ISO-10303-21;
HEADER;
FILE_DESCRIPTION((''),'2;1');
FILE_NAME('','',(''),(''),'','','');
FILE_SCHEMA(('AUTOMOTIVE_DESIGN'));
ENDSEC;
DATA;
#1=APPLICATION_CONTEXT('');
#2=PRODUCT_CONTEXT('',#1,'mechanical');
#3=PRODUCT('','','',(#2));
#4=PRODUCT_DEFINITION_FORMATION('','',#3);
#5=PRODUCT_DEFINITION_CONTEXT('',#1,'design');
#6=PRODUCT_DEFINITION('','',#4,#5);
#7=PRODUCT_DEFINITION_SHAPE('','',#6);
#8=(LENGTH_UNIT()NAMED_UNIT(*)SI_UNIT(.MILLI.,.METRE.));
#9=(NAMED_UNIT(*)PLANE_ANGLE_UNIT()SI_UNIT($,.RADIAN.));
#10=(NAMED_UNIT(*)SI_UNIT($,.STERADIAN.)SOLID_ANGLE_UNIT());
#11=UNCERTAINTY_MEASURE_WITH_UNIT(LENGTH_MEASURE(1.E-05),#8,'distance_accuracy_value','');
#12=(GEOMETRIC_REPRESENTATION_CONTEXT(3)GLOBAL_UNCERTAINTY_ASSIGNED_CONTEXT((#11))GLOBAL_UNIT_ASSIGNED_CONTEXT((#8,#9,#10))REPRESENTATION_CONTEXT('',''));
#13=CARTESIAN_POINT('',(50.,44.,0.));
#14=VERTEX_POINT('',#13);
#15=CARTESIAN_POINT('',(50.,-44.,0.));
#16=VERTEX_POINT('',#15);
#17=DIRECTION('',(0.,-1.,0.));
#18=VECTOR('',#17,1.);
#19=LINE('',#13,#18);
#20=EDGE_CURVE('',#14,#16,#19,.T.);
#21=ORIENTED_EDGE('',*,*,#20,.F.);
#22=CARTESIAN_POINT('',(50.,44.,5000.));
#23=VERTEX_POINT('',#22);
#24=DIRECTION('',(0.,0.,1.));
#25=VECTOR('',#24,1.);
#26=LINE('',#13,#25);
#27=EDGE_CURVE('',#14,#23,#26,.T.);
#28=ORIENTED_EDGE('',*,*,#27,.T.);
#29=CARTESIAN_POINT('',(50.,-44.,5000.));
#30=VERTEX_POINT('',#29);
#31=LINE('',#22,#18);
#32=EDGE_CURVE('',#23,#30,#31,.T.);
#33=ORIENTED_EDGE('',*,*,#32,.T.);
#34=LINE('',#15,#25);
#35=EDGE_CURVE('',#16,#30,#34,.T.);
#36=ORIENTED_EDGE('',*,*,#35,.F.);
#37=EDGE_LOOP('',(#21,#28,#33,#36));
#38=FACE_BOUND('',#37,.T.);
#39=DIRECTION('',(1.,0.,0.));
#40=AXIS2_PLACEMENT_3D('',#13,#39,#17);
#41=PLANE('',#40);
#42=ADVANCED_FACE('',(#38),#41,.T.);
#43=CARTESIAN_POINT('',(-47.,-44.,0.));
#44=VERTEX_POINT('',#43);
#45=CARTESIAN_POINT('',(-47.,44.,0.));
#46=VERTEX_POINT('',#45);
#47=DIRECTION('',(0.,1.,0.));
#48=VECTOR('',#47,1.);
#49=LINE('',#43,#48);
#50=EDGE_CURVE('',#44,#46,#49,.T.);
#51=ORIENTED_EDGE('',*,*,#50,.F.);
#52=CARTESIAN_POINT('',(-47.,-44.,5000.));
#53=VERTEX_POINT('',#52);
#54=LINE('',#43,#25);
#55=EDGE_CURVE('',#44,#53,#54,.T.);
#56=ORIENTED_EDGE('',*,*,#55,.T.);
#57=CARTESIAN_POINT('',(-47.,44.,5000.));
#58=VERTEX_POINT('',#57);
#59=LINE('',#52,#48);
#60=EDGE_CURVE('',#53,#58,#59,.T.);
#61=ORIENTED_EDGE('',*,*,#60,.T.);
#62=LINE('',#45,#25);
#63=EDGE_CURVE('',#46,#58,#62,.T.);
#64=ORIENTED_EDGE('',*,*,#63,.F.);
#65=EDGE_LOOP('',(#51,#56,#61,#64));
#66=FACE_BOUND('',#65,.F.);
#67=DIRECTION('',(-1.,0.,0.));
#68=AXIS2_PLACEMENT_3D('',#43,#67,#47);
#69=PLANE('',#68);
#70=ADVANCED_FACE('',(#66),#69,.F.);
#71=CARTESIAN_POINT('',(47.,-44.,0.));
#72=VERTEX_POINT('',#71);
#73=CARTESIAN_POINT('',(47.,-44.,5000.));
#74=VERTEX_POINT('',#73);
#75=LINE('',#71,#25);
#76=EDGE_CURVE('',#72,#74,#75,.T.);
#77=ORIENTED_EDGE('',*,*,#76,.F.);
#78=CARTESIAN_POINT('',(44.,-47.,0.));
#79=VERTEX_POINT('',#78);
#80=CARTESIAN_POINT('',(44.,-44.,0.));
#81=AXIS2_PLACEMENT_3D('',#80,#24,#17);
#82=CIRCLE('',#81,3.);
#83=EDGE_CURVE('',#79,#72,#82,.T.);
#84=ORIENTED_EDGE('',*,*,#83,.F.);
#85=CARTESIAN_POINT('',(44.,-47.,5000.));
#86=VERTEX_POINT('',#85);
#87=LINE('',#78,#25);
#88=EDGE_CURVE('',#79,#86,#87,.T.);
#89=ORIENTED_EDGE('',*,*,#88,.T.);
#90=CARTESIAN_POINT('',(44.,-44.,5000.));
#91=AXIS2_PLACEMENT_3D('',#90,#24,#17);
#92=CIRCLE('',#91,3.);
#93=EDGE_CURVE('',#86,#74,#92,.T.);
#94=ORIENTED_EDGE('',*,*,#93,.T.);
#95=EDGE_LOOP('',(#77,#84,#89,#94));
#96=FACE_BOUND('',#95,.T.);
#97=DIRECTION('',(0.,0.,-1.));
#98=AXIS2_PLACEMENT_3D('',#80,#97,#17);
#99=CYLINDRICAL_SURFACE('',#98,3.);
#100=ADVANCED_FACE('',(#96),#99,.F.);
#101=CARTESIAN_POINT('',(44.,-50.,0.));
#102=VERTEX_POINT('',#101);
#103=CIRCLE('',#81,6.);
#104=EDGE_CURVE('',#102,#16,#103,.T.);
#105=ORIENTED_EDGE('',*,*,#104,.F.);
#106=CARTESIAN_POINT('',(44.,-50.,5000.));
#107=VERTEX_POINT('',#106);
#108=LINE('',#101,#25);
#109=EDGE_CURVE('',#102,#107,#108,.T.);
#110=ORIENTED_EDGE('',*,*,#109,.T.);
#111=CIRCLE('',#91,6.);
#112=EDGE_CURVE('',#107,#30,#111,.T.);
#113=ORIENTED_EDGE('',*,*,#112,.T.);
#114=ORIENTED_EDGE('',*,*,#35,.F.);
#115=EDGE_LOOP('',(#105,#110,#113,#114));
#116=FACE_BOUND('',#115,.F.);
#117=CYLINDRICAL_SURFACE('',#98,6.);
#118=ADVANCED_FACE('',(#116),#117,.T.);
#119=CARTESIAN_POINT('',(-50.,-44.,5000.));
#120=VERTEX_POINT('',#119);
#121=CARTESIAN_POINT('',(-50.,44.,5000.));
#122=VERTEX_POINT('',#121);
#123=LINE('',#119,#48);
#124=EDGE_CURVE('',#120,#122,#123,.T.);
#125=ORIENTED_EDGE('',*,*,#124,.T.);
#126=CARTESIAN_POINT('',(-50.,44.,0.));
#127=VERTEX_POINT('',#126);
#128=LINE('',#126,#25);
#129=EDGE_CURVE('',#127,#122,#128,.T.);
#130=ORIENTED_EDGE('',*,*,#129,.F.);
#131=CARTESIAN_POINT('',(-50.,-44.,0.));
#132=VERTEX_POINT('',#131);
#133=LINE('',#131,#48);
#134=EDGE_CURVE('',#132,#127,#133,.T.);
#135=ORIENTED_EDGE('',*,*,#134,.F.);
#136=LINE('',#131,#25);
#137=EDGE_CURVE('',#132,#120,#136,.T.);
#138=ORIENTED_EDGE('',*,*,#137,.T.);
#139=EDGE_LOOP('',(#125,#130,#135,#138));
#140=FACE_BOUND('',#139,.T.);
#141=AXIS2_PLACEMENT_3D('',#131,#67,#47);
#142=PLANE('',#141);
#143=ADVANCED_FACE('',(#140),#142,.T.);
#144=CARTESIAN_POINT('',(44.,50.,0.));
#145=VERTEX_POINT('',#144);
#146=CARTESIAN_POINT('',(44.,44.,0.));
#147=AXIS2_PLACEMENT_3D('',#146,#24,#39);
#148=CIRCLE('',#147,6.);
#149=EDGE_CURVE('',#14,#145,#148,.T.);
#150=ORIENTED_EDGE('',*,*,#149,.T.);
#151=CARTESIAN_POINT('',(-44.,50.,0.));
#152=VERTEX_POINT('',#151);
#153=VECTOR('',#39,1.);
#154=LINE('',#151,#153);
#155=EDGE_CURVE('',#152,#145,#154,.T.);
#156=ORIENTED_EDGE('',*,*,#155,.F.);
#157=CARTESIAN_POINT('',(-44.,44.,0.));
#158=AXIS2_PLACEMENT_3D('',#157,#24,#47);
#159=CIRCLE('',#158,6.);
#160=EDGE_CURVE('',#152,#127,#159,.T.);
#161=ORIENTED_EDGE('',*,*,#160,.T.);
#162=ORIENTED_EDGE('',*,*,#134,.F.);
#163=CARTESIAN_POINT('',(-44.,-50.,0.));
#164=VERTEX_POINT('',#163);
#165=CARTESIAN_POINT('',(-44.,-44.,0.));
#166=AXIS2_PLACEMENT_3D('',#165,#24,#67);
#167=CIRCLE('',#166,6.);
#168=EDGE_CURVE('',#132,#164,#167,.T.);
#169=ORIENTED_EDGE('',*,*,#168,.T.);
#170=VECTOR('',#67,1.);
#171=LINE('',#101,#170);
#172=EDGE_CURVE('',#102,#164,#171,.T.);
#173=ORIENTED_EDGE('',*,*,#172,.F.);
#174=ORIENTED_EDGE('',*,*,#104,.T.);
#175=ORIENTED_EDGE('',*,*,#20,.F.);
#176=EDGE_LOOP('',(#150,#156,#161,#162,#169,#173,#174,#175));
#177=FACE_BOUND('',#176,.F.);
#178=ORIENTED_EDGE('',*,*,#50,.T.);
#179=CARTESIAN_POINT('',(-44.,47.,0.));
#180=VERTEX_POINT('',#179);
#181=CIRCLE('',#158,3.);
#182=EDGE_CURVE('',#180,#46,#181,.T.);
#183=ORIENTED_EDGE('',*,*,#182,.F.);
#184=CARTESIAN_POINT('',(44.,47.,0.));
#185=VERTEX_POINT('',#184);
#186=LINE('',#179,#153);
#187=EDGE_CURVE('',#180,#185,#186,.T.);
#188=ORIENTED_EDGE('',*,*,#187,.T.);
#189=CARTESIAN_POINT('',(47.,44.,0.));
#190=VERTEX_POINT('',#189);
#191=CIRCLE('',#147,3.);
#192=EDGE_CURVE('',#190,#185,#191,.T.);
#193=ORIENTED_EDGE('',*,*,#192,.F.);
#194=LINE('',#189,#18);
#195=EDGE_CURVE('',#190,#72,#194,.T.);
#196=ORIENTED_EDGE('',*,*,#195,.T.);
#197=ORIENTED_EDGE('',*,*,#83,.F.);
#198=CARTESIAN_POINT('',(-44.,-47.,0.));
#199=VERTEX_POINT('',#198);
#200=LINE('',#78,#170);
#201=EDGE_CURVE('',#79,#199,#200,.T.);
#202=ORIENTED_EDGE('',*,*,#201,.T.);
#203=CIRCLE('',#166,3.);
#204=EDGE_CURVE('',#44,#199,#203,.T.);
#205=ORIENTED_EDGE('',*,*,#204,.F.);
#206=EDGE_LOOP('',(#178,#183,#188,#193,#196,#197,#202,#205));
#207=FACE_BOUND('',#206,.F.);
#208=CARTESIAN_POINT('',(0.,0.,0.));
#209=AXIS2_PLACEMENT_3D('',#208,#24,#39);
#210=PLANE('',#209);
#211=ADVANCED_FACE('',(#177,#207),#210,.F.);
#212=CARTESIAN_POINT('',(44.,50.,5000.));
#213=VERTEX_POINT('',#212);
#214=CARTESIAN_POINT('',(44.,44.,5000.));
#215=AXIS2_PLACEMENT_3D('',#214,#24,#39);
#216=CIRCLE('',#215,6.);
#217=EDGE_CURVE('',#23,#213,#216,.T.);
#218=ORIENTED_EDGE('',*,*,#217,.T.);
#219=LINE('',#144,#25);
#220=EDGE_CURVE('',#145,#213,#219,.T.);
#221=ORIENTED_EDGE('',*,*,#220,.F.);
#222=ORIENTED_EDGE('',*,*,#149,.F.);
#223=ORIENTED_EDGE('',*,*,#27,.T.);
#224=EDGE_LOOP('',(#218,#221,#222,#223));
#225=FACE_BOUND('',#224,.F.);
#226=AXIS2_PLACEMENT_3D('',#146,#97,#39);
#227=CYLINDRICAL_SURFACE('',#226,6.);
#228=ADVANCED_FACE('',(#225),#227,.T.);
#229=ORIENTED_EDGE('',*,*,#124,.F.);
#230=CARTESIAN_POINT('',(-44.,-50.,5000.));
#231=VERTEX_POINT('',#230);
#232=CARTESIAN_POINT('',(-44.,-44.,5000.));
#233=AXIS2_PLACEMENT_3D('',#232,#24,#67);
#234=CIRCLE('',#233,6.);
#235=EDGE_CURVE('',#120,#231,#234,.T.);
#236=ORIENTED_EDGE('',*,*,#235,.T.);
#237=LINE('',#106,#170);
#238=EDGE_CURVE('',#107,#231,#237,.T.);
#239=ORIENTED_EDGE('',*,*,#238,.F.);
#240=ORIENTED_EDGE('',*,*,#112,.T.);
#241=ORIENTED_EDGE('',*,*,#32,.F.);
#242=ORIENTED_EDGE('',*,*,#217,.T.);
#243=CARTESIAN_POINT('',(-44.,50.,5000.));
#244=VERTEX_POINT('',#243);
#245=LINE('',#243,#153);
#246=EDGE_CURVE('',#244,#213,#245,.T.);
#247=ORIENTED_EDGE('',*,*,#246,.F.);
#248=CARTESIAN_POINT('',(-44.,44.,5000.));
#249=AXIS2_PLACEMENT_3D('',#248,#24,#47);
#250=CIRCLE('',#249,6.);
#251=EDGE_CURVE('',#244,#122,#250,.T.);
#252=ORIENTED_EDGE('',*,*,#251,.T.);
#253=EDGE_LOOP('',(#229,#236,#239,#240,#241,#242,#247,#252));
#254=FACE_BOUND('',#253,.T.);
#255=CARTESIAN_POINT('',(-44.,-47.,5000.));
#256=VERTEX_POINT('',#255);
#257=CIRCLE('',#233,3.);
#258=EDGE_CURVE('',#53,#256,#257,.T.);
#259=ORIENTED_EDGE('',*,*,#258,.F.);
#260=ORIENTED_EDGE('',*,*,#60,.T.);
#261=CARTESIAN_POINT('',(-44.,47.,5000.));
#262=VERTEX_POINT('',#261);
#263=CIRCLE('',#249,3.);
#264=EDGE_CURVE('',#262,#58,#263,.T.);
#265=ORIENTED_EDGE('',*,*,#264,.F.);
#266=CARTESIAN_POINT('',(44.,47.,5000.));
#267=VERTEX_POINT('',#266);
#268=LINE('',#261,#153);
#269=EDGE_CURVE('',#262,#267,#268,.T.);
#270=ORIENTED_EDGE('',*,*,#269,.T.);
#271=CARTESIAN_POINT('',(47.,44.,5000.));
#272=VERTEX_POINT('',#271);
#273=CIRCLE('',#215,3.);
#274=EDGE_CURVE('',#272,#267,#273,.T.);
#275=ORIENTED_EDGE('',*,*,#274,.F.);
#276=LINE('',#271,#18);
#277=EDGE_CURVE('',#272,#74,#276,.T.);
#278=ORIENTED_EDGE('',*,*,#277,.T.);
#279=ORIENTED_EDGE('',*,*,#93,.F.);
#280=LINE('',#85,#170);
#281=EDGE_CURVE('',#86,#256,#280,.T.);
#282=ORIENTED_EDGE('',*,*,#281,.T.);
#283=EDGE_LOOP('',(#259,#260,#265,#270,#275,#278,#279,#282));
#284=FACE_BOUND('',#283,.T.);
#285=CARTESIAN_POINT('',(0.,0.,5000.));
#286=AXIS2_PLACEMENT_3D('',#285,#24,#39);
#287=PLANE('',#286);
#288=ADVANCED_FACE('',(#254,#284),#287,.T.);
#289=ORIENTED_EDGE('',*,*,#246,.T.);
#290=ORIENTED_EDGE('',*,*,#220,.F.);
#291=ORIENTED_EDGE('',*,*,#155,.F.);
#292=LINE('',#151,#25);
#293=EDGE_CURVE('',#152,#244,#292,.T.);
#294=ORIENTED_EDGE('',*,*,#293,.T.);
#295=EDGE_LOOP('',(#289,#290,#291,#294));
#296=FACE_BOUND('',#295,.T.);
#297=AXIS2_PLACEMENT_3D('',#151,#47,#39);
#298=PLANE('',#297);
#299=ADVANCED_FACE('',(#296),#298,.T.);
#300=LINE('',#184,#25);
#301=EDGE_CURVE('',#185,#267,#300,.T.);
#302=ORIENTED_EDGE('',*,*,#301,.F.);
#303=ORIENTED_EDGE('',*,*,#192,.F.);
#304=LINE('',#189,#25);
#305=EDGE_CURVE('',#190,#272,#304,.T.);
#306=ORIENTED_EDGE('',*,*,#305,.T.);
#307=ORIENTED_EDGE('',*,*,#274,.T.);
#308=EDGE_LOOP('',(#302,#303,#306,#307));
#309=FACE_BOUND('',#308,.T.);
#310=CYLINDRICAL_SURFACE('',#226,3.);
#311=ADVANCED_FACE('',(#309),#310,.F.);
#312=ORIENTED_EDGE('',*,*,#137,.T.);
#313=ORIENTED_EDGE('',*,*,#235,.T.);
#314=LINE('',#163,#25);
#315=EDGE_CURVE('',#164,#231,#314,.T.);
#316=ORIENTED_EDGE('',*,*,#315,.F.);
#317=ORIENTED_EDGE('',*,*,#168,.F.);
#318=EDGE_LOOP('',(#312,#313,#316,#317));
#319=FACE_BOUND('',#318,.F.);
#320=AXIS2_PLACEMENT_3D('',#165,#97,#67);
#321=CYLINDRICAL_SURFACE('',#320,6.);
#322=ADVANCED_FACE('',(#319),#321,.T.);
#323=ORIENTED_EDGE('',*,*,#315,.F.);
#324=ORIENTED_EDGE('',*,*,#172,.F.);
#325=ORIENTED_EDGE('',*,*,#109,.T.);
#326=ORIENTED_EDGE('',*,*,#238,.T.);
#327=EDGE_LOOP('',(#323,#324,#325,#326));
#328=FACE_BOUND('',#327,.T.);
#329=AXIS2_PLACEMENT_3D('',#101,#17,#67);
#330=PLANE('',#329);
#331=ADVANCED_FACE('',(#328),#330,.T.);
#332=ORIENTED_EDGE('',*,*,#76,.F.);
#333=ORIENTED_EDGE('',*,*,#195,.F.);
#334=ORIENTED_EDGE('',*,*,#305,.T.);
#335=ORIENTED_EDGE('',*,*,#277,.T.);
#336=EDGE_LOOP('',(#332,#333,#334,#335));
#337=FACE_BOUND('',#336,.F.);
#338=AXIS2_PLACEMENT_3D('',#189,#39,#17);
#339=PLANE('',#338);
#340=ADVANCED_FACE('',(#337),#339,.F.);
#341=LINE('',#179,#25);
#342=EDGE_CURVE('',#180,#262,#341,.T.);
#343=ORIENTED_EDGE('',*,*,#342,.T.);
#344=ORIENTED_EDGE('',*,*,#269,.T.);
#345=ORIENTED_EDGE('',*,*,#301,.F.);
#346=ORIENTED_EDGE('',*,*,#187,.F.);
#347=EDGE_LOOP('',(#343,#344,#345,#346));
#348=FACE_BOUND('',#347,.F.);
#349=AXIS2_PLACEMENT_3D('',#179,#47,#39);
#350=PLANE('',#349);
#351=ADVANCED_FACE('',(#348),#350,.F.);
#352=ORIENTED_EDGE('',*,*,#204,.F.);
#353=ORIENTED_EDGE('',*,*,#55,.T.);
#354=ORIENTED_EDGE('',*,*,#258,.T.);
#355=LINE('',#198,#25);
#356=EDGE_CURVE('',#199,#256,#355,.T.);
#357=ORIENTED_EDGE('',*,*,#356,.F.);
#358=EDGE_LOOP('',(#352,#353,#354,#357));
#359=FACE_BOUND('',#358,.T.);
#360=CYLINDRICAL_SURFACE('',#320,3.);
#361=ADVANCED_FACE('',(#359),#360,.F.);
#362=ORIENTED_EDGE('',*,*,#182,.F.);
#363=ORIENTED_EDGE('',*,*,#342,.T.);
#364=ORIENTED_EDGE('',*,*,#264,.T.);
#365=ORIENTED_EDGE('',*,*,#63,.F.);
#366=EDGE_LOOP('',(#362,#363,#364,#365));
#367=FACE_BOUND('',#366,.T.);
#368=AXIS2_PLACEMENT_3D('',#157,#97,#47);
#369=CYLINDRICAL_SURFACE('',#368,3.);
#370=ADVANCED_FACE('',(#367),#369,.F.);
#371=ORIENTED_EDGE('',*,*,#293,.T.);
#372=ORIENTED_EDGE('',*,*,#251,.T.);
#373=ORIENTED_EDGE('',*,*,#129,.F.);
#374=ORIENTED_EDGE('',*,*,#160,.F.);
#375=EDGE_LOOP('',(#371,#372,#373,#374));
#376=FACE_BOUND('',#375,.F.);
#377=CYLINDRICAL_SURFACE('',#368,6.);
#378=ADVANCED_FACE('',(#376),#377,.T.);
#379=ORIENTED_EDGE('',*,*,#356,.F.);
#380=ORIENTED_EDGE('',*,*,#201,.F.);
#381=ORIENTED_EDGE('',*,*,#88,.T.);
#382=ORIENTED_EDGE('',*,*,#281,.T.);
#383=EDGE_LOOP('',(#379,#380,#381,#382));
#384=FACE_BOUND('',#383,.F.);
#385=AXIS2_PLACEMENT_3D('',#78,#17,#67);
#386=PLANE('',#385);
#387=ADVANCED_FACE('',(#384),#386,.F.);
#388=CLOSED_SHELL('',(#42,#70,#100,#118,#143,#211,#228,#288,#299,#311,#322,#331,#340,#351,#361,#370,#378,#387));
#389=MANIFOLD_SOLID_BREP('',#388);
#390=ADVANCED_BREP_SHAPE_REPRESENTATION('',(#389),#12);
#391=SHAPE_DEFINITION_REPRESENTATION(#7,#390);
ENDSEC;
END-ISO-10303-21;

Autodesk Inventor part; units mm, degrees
ref_plane "YZ Plane" through (0, 0, 0) normal (1, 0, 0) x (0, 1, 0)
ref_plane "Start Plane" through (0, 0, 0) normal (0, 0, 1) x (1, 0, 0)
ref_plane "End Plane" through (0, 0, 5000) normal (0, 0, 1) x (1, 0, 0)
sketch "Sketch" plane through (0, 0, 0) normal (0, 0, 1) x (1, 0, 0)
  line L0 (-50, -44) -> (-50, 44)
  line L1 (-44, 50) -> (44, 50)
  line L2 (50, 44) -> (50, -44)
  line L3 (44, -50) -> (-44, -50)
  arc A0 (-50, -44) -> (-44, -50) centre (-44, -44) ccw
  arc A1 (50, 44) -> (44, 50) centre (44, 44) ccw
  arc A2 (-44, 50) -> (-50, 44) centre (-44, 44) ccw
  arc A3 (44, -50) -> (50, -44) centre (44, -44) ccw
  arc A4 (-44, 47) -> (-47, 44) centre (-44, 44) ccw
  line L4 (-44, 47) -> (44, 47)
  arc A5 (47, 44) -> (44, 47) centre (44, 44) ccw
  line L5 (47, 44) -> (47, -44)
  arc A6 (44, -47) -> (47, -44) centre (44, -44) ccw
  line L6 (44, -47) -> (-44, -47)
  arc A7 (-47, -44) -> (-44, -47) centre (-44, -44) ccw
  line L7 (-47, -44) -> (-47, 44)
  line L8 (0, 71.7397) -> (0, -71.7397) construction
  line L9 (-71.7397, 0) -> (71.7397, 0) construction
  dimension "d7" = 6
  dimension "d9" = 100
  dimension "d11" = 100
  dimension "d12" = 3
  dimension "d15" = 50
  dimension "d16" = 50
extrude "Body" add sketch "Sketch" along normal up to surface (5000 mm away) from surface at 0
sketch "Sketch3" plane through (0, 0, 0) normal (0, 0, 1) x (1, 0, 0)
  line L0 (0, 0) -> (10, 0)
ref_plane "Work Plane3" through (0, 0, 0) normal (0, -1, 0) x (1, 0, 0)
sketch "Sketch4" plane through (0, 0, 0) normal (0, -1, 0) x (1, 0, 0)
  line L0 (-2, 0) -> (12, 0) projected
  line L1 (-2, 5000) -> (12, 5000) projected
  dimension "d18" = 5000
equation "\"d7\" = G_IR"
equation "\"d9\" = G_W"
equation "\"d11\" = G_H"
equation "\"d12\" = G_T"
equation "\"d15\" = 0.5 * d9"
equation "\"d16\" = 0.5 * d11"
equation "\"d3\" = G_L"
equation "\"G_W\" = 100"
equation "\"G_H\" = 100"
equation "\"G_T\" = 3"
equation "\"G_IR\" = 6"
equation "\"G_L\" = d18"
equation "\"G_OFFSET_START\" = 0"
equation "\"G_OFFSET_END\" = 0"
properties part number "ISO 10799-2 - 100x100x3 - 5000" material "Steel, Mild"
